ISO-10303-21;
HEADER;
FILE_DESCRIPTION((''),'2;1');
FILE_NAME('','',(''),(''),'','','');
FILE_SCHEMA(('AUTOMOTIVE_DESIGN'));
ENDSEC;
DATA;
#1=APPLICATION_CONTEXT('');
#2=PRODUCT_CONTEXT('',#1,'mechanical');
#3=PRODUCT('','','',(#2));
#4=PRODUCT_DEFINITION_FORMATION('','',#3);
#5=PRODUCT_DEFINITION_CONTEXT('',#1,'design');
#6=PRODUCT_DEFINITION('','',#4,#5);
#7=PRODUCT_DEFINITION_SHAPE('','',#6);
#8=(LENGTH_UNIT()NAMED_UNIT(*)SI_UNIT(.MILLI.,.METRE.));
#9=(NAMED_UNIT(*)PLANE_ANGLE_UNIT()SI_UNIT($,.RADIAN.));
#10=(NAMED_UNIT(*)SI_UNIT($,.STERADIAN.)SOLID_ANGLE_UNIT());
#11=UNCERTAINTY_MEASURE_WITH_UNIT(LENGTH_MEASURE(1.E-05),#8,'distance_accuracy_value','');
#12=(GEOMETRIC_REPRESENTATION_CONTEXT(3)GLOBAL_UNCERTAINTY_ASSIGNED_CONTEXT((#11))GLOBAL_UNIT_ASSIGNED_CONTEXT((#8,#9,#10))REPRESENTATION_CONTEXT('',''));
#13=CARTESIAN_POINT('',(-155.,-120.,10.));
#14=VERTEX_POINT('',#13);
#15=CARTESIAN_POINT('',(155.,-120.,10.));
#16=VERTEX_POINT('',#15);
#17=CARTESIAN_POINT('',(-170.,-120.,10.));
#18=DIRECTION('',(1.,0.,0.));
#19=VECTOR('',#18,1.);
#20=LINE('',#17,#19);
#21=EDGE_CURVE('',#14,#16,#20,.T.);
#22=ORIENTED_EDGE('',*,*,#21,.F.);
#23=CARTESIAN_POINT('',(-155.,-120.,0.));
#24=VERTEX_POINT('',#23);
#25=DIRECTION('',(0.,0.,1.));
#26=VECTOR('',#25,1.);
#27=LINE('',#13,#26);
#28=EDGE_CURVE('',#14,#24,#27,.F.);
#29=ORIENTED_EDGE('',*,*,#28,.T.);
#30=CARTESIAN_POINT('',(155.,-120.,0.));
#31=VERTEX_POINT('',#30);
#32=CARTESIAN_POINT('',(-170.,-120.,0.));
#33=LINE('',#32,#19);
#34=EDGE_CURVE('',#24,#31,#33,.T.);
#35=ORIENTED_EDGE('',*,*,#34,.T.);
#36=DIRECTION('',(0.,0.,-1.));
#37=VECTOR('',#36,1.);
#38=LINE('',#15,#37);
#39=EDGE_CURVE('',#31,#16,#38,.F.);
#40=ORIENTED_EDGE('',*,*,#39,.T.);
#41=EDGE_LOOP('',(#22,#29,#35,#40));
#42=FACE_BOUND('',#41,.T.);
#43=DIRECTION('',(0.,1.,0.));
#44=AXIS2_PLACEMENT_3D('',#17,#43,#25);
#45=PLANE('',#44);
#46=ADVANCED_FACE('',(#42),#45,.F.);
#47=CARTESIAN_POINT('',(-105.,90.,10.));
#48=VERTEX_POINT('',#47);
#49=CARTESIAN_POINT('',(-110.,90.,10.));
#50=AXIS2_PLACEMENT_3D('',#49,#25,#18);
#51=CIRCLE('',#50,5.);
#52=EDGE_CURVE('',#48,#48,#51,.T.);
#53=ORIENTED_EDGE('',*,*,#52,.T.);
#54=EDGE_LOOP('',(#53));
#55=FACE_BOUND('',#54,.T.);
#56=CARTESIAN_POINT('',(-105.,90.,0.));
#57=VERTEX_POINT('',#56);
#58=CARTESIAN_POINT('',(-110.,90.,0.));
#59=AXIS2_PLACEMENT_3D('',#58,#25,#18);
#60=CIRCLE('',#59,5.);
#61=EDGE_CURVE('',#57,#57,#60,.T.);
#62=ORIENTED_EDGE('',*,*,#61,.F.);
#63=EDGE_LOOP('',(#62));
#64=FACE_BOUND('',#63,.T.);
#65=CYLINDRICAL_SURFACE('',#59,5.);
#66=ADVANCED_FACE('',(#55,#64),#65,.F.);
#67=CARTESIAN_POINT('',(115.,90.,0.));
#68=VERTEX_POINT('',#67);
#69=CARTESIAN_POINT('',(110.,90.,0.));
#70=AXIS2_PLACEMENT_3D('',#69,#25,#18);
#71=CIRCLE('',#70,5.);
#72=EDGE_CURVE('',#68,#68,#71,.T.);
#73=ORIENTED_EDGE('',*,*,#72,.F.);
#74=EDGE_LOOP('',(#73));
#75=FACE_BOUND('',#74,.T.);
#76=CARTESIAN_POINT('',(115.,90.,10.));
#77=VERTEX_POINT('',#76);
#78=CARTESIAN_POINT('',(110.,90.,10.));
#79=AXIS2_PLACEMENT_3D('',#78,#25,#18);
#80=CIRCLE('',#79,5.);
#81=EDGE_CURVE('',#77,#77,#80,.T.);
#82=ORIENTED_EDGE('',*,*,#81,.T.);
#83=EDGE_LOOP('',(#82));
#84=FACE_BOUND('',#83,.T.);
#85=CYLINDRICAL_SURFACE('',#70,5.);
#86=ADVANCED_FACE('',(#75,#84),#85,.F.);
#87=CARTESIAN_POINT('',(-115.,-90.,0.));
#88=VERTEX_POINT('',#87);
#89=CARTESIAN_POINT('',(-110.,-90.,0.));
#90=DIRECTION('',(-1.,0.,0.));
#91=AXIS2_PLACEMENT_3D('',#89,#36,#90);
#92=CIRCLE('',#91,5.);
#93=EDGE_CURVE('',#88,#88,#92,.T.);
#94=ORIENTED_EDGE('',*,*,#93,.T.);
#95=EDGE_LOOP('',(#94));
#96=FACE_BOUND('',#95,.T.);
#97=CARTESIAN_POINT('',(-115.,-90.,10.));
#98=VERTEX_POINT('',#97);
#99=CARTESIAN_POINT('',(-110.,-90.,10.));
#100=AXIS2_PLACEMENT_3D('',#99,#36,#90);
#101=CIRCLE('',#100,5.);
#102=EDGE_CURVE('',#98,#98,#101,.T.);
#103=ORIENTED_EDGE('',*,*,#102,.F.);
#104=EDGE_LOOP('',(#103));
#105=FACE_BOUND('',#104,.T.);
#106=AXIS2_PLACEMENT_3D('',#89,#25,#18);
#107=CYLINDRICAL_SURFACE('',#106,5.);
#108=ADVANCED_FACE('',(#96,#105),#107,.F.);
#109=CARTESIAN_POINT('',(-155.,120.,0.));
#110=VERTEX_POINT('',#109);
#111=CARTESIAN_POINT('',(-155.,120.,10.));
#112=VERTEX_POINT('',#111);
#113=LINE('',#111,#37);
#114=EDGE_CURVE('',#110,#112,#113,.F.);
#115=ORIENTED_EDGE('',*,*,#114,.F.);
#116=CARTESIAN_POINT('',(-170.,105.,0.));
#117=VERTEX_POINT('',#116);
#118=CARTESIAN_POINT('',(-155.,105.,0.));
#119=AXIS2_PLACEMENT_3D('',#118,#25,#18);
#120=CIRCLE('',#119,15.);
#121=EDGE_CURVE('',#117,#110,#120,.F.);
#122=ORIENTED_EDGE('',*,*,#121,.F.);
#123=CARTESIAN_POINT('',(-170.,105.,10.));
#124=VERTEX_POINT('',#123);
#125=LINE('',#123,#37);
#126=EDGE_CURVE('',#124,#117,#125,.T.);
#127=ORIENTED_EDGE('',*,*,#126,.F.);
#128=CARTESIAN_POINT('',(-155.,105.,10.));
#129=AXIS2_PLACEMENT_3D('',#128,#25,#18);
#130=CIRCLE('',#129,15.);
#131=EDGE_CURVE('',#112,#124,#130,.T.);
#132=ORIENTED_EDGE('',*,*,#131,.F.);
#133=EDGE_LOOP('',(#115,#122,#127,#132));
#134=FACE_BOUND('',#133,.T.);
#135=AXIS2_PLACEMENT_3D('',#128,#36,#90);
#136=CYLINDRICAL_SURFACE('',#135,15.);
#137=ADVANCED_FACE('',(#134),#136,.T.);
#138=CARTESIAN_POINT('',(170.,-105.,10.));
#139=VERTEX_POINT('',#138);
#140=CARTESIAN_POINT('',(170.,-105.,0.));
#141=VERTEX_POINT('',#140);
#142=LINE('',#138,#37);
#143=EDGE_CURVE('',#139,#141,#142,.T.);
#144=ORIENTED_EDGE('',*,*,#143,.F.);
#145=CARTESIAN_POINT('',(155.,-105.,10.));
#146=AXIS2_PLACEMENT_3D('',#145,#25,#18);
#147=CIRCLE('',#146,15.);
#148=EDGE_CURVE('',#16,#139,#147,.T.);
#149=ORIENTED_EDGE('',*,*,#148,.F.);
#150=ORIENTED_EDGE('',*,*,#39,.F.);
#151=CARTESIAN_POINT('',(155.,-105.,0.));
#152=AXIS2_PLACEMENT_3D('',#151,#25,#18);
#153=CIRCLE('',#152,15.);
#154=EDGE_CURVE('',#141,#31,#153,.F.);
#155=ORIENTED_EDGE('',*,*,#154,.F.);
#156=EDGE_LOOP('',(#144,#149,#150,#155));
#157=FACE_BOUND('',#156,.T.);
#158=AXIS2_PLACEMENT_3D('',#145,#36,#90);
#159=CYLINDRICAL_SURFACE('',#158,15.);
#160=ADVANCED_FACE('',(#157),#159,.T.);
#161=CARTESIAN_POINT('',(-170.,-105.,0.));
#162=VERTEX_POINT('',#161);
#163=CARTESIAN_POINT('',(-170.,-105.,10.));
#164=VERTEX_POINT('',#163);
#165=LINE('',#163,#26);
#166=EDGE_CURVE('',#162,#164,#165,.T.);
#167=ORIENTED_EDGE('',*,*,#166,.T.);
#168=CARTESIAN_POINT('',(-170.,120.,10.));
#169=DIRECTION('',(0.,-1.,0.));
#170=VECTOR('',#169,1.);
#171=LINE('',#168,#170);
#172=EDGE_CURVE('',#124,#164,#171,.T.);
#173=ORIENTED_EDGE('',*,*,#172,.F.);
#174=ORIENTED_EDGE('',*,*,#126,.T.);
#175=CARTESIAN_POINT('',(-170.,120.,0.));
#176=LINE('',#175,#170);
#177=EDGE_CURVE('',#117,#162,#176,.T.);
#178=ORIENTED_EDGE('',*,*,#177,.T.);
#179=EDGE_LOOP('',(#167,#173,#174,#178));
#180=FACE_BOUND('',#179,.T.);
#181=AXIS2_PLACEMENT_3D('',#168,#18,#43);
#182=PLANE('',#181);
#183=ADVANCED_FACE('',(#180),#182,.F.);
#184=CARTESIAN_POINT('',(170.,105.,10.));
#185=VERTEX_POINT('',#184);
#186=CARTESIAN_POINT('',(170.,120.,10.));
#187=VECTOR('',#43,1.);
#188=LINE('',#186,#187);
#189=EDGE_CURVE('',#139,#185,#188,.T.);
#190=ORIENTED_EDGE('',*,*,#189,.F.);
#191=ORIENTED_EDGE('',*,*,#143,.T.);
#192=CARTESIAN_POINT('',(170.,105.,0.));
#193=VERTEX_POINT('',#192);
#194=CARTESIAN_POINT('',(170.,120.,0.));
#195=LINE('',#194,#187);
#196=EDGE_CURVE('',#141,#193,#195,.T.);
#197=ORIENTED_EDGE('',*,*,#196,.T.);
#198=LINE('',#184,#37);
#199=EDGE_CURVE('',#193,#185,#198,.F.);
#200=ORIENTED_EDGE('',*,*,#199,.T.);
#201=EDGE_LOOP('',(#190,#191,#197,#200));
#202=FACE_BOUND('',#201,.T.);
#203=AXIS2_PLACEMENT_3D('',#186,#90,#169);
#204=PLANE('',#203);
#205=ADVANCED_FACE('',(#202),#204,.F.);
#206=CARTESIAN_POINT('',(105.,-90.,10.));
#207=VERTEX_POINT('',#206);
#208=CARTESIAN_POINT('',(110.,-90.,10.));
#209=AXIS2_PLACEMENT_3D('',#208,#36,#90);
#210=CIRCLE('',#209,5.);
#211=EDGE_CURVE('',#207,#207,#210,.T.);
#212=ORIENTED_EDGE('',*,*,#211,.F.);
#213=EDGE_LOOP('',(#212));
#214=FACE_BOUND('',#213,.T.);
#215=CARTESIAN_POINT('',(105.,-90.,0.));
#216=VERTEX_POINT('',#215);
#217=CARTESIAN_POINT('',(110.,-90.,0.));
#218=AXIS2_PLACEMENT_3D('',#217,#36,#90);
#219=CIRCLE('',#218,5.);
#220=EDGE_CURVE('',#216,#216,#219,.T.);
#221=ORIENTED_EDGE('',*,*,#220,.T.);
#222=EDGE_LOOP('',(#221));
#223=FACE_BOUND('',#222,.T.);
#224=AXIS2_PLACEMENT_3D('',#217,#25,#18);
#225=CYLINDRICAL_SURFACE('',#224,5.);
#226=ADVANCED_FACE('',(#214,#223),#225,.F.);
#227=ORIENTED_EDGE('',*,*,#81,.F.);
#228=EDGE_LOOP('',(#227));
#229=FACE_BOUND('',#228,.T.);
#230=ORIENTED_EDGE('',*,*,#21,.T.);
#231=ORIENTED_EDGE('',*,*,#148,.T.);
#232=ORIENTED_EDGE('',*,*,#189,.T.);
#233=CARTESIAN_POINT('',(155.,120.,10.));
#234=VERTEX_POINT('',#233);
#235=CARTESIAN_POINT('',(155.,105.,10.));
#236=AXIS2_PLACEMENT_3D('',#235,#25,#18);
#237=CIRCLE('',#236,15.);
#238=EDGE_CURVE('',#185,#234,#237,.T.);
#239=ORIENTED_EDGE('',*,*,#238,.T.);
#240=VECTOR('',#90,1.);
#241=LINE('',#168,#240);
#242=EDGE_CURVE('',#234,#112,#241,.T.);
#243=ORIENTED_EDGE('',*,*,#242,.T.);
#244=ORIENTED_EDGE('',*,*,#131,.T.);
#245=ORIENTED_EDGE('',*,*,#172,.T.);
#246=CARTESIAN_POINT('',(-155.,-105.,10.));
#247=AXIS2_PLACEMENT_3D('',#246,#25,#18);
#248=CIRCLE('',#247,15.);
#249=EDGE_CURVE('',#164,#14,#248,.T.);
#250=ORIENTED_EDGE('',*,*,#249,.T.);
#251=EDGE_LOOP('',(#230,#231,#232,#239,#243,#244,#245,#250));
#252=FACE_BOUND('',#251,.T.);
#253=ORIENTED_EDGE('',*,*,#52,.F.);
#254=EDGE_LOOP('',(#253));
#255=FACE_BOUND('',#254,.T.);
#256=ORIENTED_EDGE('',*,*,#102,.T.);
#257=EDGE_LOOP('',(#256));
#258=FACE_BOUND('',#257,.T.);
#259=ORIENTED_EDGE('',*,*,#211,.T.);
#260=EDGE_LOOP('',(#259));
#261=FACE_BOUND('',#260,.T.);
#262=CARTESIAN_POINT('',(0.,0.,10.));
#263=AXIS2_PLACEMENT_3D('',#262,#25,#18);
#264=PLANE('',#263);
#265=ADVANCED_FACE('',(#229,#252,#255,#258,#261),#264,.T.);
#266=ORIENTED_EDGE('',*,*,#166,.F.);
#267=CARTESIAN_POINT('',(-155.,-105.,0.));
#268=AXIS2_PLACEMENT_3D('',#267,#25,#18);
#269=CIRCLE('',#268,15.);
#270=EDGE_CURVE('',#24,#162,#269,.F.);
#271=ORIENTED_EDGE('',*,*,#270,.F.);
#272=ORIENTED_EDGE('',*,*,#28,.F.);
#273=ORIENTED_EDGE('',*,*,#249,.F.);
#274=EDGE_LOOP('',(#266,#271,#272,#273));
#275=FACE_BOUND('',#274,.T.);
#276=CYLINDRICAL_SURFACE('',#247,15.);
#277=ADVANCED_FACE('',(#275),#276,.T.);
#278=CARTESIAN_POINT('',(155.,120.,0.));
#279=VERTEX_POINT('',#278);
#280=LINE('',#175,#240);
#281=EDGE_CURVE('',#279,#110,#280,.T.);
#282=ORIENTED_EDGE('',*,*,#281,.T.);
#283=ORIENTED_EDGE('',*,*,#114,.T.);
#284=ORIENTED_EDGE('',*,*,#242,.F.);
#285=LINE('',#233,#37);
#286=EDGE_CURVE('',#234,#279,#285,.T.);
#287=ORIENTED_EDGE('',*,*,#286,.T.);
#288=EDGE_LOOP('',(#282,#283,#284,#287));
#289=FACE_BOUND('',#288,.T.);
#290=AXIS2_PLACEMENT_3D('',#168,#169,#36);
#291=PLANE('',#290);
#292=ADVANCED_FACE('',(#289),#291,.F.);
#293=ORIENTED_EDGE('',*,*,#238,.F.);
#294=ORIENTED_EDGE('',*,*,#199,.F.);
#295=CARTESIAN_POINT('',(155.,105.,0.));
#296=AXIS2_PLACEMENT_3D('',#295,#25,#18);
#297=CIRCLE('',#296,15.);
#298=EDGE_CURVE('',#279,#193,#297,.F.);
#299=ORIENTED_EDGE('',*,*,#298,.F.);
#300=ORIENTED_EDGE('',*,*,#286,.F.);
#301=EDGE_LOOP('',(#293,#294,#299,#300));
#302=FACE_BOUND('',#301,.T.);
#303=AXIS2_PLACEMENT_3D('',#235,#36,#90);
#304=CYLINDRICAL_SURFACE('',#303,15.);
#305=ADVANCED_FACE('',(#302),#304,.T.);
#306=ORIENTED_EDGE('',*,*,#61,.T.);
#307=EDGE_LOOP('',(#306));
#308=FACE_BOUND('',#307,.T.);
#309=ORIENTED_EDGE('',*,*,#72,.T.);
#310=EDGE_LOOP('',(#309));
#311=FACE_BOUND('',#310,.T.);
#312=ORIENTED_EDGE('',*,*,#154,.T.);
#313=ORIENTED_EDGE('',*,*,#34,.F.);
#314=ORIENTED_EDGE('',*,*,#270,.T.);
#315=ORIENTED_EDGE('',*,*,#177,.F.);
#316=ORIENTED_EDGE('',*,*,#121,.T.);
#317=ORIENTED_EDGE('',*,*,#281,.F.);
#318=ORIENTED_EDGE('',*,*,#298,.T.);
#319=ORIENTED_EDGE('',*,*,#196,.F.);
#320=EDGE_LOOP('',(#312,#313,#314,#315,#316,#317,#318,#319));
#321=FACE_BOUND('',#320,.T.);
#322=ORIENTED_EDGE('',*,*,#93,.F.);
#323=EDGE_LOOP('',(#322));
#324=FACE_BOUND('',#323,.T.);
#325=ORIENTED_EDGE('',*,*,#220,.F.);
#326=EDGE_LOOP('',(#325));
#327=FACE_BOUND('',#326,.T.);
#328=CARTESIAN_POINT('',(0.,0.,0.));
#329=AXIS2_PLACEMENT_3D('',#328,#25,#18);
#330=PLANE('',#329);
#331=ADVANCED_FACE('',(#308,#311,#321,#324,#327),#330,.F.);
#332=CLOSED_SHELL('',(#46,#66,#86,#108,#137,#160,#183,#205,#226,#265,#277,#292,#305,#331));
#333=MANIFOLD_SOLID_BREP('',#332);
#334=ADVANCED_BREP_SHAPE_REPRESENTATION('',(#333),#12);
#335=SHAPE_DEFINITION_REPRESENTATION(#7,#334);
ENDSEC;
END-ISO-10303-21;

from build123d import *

# Parameters (mm, degrees)
SKETCH_1_W          = 340
SKETCH_1_H          = 240
EXTRUDE_1_DEPTH     = 10
FILLET_1_R          = 15
FILLET_2_R          = 15
FILLET_3_R          = 15
FILLET_4_R          = 15
SKETCH_2_R          = 5
CUT_EXTRUDE_1_DEPTH = 10


with BuildPart() as part:
    # 草图1 → 凸台-拉伸1 (new body)
    with BuildSketch(Plane.XY):
        Rectangle(SKETCH_1_W, SKETCH_1_H)
    extrude(amount=EXTRUDE_1_DEPTH)

    # 圆角1
    fillet_1_edges = [part.edges().sort_by_distance(p)[0] for p in [
        (-170, 120, 5),
    ]]
    fillet(fillet_1_edges, radius=FILLET_1_R)

    # 圆角2
    fillet_2_edges = [part.edges().sort_by_distance(p)[0] for p in [
        (170, 120, 5),
    ]]
    fillet(fillet_2_edges, radius=FILLET_2_R)

    # 圆角3
    fillet_3_edges = [part.edges().sort_by_distance(p)[0] for p in [
        (170, -120, 5),
    ]]
    fillet(fillet_3_edges, radius=FILLET_3_R)

    # 圆角4
    fillet_4_edges = [part.edges().sort_by_distance(p)[0] for p in [
        (-170, -120, 5),
    ]]
    fillet(fillet_4_edges, radius=FILLET_4_R)

    # 草图2 → 切除-拉伸1 (cut)
    with BuildSketch(Plane.XY.offset(10)):
        with Locations((110, 90)):
            Circle(SKETCH_2_R)
        with Locations((-110, 90)):
            Circle(SKETCH_2_R)
        with Locations(Location((110, -90, 0), (0, 0, 180))):
            Circle(SKETCH_2_R)
        with Locations(Location((-110, -90, 0), (0, 0, 180))):
            Circle(SKETCH_2_R)
    extrude(amount=-CUT_EXTRUDE_1_DEPTH, mode=Mode.SUBTRACT)


solid = part.part
